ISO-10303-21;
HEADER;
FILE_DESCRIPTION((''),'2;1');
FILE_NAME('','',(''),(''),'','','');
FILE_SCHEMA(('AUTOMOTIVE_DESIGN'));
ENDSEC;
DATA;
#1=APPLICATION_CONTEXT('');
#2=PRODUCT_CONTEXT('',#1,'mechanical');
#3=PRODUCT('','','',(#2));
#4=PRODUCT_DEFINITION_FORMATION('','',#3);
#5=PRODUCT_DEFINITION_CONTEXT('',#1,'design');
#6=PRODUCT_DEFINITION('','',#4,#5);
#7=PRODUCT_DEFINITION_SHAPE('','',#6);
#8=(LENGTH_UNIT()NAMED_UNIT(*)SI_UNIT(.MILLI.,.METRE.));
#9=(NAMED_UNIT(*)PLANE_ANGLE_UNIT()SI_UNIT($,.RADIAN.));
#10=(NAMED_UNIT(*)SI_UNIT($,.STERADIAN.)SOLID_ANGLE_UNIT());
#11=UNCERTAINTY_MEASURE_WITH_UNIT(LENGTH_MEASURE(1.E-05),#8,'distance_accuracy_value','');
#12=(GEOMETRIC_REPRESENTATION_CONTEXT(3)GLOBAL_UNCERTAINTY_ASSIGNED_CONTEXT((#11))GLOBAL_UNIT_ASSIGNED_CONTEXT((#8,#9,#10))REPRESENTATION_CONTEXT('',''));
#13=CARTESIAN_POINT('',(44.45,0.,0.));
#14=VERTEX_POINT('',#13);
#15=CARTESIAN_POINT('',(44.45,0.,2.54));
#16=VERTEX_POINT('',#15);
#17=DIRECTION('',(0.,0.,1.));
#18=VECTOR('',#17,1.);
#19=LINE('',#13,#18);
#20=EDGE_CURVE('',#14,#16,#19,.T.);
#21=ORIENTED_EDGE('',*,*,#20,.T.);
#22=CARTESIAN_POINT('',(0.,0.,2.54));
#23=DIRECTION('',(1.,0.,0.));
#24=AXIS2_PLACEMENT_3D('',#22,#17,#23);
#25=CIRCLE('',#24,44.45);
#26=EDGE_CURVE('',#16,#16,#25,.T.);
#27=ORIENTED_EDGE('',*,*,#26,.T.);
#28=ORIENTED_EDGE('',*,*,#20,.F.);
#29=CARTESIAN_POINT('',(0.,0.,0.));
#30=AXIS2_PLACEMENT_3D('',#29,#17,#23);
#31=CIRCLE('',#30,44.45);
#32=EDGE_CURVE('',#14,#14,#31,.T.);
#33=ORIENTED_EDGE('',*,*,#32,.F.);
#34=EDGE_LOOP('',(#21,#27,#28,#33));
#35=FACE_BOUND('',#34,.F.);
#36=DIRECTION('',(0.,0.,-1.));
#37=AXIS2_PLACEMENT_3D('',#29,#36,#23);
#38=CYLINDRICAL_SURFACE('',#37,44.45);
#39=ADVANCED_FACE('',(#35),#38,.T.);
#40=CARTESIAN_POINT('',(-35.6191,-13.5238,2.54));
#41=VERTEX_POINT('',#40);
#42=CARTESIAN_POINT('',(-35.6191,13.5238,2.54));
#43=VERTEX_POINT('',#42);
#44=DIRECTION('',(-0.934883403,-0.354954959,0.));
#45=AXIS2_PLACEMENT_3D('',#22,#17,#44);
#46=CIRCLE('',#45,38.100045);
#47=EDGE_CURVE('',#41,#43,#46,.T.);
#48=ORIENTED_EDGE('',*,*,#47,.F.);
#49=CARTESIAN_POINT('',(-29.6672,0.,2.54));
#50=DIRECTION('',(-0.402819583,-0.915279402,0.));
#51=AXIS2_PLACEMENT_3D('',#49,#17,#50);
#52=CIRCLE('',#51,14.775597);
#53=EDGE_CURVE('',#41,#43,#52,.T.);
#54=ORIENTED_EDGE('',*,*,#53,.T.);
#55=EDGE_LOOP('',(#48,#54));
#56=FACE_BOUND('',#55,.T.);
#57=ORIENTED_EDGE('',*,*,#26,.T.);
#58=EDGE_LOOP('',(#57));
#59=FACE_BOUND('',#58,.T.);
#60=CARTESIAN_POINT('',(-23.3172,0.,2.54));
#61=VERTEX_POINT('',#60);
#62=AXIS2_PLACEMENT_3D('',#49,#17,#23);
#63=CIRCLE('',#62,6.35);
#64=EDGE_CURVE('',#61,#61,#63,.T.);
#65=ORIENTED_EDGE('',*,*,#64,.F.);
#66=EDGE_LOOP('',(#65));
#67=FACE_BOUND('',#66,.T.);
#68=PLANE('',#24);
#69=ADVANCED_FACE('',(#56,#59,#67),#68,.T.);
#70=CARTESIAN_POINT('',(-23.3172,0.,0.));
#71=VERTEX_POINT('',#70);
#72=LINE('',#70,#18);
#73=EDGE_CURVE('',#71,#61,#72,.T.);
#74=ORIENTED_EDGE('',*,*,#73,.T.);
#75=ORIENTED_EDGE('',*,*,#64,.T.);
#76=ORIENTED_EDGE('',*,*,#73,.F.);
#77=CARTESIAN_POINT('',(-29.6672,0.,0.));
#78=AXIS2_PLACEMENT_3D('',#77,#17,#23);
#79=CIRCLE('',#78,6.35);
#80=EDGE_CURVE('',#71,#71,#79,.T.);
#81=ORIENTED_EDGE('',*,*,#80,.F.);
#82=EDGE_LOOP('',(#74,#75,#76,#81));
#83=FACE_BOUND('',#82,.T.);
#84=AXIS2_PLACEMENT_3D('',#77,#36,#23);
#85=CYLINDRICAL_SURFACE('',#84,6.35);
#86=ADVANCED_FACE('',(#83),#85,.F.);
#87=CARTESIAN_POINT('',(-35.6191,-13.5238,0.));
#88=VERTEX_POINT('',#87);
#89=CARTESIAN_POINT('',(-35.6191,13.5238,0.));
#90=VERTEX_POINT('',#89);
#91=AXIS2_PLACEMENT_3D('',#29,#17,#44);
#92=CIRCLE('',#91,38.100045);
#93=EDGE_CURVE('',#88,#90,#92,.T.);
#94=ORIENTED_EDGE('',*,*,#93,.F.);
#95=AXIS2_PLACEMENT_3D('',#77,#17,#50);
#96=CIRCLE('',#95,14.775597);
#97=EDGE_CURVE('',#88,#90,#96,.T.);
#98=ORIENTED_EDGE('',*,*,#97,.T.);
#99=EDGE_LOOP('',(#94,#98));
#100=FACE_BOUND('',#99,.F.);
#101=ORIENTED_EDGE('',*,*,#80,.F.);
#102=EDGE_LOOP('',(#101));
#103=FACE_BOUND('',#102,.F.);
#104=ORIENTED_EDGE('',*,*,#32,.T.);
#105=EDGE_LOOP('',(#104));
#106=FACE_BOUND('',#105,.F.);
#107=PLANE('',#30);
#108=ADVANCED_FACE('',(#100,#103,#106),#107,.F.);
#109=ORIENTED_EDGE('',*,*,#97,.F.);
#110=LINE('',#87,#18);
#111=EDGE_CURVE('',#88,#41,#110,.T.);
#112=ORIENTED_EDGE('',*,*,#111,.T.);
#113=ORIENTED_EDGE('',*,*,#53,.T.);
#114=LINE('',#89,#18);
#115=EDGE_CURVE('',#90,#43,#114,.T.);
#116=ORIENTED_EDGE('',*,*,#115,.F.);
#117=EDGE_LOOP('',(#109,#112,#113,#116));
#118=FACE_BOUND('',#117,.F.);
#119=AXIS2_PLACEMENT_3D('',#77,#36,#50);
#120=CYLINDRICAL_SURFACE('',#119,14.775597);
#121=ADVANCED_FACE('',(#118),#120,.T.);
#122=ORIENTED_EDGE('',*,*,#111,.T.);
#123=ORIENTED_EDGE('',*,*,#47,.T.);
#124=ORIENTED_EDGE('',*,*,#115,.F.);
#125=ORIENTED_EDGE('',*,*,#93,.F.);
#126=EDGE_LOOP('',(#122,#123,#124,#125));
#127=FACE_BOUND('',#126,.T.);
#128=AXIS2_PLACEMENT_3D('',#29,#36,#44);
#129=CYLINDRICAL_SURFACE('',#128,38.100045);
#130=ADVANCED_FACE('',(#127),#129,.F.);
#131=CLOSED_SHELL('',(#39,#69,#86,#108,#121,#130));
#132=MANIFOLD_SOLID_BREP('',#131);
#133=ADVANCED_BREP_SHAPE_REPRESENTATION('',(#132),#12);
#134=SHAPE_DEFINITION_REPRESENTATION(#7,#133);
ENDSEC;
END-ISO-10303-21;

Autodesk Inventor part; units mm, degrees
ref_plane "YZ Plane" through (0, 0, 0) normal (1, 0, 0) x (0, 1, 0)
ref_plane "XZ Plane" through (0, 0, 0) normal (0, 1, 0) x (-1, 0, 0)
ref_plane "XY Plane" through (0, 0, 0) normal (0, 0, 1) x (1, 0, 0)
sketch "Sketch1" plane through (0, 0, 0) normal (0, 0, 1) x (1, 0, 0)
  circle A0 centre (0, 0) radius 44.45
  line L0 (-44.45, 0) -> (-29.6672, 0) construction
  circle A1 centre (-29.6672, 0) radius 6.35
  arc A2 (-35.6191, -13.5238) -> (-35.6191, 13.5238) centre (0, 0) ccw
  arc A3 (-35.6191, -13.5238) -> (-35.6191, 13.5238) centre (-29.6672, 0) ccw
  dimension "d0" = 88.9
  dimension "d6" = 14.7828
  dimension "d7" = 12.7
  dimension "d8" = 76.2
extrude "Extrusion3" add sketch "Sketch1" along normal blind 2.54
properties part number "RO"
